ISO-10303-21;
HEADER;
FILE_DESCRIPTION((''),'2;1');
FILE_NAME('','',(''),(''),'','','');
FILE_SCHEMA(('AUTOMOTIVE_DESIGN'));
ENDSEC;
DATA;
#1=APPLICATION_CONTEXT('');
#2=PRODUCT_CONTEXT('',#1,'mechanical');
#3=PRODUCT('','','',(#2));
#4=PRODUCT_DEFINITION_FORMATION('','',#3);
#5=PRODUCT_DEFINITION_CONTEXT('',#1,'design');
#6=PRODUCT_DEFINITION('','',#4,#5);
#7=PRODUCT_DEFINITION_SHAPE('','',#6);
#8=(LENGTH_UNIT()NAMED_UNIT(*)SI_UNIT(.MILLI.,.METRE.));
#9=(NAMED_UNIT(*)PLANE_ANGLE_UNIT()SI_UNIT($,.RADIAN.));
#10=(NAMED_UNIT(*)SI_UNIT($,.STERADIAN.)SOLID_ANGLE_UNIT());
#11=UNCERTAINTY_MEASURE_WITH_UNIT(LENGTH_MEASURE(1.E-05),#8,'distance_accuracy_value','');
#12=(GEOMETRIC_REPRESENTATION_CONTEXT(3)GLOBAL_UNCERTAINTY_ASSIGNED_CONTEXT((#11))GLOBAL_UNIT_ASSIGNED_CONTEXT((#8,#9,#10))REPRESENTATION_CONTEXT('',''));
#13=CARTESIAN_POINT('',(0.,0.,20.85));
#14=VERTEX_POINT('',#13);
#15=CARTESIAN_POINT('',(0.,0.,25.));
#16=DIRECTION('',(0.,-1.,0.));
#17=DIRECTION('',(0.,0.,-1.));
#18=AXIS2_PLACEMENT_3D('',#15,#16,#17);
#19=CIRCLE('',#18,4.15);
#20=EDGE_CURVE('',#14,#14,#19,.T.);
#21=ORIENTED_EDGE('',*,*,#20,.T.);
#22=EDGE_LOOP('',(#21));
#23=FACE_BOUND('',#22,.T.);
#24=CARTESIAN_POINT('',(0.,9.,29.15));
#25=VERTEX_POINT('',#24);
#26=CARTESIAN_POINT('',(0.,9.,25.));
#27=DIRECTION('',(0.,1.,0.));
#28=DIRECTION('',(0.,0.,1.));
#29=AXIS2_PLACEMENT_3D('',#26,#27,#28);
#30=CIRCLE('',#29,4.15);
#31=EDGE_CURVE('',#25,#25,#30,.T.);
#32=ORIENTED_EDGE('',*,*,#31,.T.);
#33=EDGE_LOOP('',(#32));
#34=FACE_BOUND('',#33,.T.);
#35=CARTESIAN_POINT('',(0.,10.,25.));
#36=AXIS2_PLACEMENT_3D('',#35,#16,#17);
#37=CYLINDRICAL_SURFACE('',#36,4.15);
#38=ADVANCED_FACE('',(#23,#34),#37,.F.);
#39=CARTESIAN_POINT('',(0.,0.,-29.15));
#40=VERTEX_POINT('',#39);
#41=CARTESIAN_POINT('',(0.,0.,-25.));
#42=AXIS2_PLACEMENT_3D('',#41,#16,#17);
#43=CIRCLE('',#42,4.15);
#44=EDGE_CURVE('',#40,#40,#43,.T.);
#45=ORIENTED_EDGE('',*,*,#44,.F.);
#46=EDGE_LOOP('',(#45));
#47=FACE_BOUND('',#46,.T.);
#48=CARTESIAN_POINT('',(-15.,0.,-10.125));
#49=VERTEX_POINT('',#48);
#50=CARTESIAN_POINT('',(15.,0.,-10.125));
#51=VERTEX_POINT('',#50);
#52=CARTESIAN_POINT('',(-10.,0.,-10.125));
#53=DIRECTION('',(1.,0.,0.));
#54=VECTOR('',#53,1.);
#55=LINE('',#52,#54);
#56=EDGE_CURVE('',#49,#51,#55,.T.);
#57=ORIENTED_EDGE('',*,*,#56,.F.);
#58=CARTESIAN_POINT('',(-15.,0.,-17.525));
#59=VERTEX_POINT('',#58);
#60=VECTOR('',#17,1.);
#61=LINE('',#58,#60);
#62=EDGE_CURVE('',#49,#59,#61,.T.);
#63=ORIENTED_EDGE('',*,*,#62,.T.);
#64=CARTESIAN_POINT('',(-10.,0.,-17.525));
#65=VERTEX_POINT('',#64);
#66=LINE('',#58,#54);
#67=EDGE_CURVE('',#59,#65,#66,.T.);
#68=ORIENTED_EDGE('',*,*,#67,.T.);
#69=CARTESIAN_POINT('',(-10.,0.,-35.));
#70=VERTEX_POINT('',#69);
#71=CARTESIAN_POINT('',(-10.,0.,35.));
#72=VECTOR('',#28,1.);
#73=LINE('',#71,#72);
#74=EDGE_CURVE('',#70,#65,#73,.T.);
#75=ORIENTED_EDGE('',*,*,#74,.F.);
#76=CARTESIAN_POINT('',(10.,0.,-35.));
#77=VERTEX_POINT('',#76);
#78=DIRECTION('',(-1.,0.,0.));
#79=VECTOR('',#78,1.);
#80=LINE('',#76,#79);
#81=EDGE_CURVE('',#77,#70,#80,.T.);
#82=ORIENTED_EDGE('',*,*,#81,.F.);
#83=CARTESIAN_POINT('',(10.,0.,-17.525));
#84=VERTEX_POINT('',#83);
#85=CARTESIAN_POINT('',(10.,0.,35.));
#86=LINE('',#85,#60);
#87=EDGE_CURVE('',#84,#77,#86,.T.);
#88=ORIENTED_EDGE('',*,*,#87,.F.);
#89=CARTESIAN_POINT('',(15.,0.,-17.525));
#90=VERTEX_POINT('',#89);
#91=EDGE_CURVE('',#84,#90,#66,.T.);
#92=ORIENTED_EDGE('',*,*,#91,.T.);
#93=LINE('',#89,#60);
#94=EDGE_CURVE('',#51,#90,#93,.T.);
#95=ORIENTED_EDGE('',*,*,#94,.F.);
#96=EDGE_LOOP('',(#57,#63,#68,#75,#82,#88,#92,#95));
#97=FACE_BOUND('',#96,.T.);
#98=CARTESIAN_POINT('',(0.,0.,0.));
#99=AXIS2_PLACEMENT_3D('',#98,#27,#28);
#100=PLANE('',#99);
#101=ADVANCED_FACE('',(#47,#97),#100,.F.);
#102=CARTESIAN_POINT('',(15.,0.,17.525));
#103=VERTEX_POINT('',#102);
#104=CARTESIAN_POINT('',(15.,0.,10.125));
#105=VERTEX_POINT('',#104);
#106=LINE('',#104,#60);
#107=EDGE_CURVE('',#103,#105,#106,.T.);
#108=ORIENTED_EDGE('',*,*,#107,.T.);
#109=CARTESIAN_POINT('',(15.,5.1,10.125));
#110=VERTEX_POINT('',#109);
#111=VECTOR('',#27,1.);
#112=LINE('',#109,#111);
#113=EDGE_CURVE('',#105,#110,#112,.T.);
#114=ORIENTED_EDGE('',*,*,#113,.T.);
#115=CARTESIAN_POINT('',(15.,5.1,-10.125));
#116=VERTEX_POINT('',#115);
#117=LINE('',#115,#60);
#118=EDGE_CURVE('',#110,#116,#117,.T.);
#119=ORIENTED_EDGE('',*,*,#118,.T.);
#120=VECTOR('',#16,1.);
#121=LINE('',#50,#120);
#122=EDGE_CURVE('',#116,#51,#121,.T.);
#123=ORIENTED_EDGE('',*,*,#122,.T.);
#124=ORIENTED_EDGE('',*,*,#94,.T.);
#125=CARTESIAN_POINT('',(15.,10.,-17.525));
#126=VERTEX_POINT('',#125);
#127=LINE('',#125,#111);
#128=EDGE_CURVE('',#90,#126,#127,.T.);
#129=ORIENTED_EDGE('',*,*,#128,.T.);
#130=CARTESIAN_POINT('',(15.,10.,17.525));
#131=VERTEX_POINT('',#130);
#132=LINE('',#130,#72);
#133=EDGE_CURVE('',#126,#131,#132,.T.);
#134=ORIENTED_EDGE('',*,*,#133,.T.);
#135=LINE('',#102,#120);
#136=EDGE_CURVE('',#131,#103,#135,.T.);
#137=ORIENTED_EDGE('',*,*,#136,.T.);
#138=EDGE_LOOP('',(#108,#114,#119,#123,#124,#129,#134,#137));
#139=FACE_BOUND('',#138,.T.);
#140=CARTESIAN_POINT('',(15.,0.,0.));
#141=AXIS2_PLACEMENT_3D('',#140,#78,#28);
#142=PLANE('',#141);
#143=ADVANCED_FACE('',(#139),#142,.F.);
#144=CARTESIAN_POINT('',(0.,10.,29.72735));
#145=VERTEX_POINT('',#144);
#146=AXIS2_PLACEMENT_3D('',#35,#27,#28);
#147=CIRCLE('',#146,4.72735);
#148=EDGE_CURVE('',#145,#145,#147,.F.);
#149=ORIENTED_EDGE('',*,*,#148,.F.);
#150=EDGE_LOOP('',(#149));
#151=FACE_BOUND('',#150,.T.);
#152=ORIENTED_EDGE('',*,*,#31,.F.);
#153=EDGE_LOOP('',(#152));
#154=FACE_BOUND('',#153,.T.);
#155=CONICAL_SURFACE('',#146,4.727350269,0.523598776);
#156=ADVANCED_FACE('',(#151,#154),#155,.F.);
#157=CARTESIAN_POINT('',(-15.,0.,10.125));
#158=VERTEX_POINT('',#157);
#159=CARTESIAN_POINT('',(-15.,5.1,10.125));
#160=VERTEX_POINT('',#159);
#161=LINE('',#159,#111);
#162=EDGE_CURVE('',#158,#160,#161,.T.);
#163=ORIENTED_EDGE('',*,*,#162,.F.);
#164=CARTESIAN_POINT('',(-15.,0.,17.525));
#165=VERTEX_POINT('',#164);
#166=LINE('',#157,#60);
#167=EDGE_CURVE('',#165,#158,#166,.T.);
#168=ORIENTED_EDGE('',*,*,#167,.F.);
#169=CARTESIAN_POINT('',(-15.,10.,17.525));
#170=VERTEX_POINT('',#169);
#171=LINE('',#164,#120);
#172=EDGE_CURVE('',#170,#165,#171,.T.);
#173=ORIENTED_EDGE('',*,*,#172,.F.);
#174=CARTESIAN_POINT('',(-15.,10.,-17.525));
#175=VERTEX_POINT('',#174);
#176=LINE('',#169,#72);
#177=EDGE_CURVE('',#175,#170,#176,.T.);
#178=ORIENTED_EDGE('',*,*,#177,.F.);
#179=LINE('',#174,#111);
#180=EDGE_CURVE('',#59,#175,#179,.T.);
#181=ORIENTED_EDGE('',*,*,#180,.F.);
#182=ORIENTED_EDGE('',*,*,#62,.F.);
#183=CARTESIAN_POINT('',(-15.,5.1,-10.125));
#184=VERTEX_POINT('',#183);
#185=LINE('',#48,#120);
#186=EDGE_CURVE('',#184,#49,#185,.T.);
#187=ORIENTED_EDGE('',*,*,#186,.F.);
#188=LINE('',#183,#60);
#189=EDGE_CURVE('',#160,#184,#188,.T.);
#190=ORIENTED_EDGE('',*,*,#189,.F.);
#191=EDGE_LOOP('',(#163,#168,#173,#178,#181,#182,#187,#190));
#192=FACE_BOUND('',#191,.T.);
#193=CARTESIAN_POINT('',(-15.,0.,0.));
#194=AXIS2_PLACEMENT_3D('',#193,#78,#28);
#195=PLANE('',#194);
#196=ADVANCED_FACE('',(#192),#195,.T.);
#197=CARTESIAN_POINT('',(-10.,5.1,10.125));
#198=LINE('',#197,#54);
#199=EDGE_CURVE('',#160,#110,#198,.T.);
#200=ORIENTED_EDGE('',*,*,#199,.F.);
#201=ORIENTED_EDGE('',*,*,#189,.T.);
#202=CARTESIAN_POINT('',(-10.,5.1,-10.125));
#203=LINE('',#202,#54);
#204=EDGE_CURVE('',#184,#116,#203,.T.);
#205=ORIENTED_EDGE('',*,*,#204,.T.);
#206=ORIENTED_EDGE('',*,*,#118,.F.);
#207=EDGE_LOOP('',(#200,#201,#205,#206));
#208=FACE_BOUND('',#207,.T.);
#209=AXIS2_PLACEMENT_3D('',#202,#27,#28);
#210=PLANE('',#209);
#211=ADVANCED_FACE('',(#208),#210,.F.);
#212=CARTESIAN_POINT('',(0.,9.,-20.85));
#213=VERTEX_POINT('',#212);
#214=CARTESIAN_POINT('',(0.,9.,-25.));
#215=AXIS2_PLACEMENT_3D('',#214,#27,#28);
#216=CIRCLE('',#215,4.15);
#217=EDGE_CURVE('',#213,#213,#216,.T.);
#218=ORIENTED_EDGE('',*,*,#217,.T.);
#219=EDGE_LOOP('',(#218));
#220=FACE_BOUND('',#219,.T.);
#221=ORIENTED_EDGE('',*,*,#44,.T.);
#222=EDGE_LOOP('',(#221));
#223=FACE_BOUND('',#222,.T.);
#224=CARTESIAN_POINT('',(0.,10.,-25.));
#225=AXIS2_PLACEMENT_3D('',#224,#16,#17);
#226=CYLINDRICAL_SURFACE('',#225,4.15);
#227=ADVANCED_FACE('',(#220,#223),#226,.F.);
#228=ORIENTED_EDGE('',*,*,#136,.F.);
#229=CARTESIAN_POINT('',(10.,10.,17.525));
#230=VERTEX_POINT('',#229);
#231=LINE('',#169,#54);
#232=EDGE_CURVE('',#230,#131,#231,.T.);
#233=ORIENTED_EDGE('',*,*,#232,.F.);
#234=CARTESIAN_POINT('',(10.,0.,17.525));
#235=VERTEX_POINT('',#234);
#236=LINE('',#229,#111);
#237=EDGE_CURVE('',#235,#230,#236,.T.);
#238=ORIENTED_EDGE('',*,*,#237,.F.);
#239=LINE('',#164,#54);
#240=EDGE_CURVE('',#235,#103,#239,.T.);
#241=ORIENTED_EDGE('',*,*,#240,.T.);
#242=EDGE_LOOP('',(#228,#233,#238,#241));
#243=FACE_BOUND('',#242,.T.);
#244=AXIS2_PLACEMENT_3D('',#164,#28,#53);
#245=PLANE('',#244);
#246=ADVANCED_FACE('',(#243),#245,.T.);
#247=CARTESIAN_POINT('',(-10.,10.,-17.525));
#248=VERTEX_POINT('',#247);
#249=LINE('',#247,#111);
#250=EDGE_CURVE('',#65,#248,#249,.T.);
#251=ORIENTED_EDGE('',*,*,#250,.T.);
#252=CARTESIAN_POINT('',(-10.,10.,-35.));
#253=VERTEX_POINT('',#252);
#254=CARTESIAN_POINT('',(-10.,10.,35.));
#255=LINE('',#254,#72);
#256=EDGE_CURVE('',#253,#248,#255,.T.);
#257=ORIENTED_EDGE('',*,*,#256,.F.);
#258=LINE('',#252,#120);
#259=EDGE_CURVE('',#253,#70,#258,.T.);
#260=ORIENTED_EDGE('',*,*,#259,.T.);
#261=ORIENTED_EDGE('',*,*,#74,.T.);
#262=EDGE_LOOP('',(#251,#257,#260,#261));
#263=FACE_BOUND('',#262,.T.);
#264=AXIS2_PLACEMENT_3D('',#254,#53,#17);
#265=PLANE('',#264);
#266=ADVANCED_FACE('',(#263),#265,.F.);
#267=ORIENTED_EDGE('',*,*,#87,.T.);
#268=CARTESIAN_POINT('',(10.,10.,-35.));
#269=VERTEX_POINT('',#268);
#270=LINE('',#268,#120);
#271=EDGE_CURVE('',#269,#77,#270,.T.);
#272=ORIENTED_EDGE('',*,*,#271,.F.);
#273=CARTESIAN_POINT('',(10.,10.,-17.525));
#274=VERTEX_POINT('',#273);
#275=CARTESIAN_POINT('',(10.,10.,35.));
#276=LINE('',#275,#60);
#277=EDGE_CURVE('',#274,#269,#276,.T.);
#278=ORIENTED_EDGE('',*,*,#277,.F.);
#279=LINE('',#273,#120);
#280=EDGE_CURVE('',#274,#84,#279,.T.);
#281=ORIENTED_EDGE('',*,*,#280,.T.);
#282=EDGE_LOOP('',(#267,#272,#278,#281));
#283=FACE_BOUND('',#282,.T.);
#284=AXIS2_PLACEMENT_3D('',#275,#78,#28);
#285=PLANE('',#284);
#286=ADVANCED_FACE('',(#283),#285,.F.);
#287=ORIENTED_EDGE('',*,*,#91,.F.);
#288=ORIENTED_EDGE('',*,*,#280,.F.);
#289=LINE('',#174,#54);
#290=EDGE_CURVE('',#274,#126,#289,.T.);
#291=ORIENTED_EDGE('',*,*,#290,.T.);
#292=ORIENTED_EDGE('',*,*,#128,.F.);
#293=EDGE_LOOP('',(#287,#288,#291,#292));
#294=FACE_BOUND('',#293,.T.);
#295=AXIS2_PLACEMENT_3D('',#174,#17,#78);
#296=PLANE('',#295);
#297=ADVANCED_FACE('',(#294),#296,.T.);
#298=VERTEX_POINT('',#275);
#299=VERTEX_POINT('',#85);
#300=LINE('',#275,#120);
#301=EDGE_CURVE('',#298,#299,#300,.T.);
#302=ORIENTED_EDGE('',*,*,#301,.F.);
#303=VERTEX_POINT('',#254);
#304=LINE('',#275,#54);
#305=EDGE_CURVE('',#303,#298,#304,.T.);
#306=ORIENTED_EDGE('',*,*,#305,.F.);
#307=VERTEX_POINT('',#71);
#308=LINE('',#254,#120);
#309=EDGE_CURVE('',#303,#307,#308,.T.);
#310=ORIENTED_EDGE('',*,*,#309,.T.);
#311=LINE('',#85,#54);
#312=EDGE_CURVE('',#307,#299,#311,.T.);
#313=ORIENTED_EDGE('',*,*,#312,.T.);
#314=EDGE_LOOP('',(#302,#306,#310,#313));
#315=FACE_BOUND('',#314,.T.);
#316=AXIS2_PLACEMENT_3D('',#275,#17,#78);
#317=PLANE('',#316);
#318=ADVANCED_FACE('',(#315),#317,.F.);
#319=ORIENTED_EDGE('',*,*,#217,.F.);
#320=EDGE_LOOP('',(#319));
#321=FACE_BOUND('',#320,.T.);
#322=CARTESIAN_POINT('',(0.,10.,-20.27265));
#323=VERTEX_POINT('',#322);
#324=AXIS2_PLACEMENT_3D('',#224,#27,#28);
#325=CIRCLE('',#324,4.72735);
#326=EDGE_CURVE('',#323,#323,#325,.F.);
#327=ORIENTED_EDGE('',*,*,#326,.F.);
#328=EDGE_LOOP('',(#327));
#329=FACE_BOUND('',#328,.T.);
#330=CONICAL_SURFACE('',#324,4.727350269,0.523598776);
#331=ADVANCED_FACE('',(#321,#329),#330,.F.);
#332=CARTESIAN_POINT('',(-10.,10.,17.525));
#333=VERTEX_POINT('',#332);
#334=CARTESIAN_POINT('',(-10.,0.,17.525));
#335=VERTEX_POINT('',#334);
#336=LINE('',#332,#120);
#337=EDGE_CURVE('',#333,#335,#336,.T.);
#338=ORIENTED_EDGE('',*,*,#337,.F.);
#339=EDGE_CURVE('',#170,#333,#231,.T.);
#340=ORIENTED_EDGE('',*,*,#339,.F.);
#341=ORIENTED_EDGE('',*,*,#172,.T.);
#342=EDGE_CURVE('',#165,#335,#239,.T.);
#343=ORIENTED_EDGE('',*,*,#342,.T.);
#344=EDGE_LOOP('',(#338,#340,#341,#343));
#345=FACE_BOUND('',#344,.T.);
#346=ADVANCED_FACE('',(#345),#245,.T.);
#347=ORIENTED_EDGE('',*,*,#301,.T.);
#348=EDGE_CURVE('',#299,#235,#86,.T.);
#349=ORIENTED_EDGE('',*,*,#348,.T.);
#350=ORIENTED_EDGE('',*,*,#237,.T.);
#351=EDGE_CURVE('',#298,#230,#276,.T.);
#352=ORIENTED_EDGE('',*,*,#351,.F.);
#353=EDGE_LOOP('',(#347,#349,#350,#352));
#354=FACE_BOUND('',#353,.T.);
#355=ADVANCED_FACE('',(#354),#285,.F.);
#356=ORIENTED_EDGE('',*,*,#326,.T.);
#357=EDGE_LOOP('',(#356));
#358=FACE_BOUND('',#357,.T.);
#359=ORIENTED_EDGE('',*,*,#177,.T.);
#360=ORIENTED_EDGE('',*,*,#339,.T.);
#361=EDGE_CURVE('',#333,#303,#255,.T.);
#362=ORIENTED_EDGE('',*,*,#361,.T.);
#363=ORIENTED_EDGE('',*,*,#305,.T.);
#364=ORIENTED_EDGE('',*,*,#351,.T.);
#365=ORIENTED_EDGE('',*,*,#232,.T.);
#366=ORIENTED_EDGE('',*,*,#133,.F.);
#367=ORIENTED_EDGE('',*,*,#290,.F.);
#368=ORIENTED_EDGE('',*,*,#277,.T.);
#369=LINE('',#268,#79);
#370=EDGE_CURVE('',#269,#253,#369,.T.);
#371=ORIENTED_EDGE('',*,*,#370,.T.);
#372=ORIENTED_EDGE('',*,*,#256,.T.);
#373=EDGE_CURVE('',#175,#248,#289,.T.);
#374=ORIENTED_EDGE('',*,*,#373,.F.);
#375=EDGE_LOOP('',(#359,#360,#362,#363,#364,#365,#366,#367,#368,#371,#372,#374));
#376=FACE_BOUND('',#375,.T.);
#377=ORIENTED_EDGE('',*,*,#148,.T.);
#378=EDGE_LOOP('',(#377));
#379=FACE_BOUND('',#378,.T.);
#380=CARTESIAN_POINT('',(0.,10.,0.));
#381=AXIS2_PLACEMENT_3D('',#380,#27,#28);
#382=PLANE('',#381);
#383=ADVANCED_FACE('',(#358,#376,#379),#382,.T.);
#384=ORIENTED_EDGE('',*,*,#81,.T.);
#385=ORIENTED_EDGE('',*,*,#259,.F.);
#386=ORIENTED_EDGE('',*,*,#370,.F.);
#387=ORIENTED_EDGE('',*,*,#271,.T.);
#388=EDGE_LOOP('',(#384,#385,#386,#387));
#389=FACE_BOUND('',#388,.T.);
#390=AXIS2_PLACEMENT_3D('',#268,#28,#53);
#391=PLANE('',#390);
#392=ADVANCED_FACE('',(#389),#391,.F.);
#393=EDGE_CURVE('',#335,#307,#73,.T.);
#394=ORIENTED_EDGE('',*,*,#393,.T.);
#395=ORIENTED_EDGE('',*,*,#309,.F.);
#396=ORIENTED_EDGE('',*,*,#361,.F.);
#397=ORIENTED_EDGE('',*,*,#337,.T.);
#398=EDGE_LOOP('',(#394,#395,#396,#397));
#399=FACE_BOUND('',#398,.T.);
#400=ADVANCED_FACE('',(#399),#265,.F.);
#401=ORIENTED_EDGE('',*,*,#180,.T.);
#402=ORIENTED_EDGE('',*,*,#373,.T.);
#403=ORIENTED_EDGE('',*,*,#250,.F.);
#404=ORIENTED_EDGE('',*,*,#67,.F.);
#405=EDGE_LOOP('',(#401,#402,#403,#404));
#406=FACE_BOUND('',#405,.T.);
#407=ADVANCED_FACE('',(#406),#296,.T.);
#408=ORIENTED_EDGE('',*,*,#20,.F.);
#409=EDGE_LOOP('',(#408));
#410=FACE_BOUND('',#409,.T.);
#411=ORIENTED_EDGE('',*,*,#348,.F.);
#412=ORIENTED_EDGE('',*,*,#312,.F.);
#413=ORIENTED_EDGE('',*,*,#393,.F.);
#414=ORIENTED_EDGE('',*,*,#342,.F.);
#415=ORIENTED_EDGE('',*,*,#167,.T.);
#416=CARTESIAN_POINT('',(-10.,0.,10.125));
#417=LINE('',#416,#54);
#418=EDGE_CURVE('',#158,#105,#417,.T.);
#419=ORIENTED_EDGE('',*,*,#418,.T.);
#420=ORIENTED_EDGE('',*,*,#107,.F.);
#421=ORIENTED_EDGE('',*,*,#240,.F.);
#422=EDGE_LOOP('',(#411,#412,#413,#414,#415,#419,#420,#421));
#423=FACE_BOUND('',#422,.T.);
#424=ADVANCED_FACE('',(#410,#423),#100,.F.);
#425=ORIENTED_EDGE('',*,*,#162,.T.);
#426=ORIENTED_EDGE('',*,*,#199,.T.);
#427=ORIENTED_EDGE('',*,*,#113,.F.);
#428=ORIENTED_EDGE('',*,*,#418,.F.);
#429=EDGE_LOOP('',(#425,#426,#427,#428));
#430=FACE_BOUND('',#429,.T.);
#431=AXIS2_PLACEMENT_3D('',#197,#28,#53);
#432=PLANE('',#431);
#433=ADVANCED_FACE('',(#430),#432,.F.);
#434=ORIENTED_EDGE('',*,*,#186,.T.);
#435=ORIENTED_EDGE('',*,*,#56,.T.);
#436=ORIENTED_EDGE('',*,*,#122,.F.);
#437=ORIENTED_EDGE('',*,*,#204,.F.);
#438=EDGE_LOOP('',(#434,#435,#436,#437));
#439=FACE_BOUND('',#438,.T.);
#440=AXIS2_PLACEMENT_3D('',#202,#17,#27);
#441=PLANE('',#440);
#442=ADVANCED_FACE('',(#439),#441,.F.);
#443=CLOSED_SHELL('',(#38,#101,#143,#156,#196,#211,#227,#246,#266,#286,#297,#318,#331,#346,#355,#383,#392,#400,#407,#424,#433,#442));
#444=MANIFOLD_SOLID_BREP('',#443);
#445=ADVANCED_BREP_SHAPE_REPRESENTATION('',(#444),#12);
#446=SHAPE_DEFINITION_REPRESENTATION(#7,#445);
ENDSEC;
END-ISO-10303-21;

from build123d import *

# Parameters (mm, degrees)
SKETCH1_W                = 20
SKETCH1_H                = 70
BOSS_EXTRUDE1_DEPTH      = 10
SKETCH2_W                = 20.25
SKETCH2_H                = 5.1
CUT_EXTRUDE1_DEPTH       = 1
CUT_EXTRUDE1_DEPTH_BACK  = 21
SKETCH3_R                = 4.15
CUT_EXTRUDE2_DEPTH       = 11
BOSS_EXTRUDE2_DEPTH      = 5
BOSS_EXTRUDE2_DEPTH_BACK = 25
CHAMFER1_SIZE            = 1
CHAMFER1_SIZE2           = 0.577350269
CHAMFER1_PART_2_SIZE     = 1
CHAMFER1_PART_2_SIZE2    = 0.577350269


with BuildPart() as part:
    # Sketch1 → Boss-Extrude1 (new body)
    with BuildSketch(Plane(origin=(0, 0, 0), x_dir=(1, 0, 0), z_dir=(0, 1, 0))):
        Rectangle(SKETCH1_W, SKETCH1_H)
    extrude(amount=BOSS_EXTRUDE1_DEPTH)

    # Sketch2 → Cut-Extrude1 (cut, two sides)
    with BuildSketch(Plane(origin=(10, 0, 0), x_dir=(0, 0, -1), z_dir=(1, 0, 0))) as cut_extrude1_sk:
        with Locations((0, 2.55)):
            Rectangle(SKETCH2_W, SKETCH2_H)
    extrude(amount=CUT_EXTRUDE1_DEPTH, mode=Mode.SUBTRACT)
    extrude(cut_extrude1_sk.sketch, amount=-CUT_EXTRUDE1_DEPTH_BACK, mode=Mode.SUBTRACT)

    # Sketch3 → Cut-Extrude2 (cut, through all)
    with BuildSketch(Plane.XZ):
        with Locations((0, 25)):
            Circle(SKETCH3_R)
        with Locations((0, -25)):
            Circle(SKETCH3_R)
    extrude(amount=-CUT_EXTRUDE2_DEPTH, mode=Mode.SUBTRACT)

    # Sketch4 → Boss-Extrude2 (add, two sides)
    with BuildSketch(Plane(origin=(10, 0, 0), x_dir=(0, 0, -1), z_dir=(1, 0, 0))) as boss_extrude2_sk:
        Polygon((-10.125, 0), (-17.525, 0), (-17.525, 10), (17.525, 10), (17.525, 0), (10.125, 0), (10.125, 5.1), (-10.125, 5.1), align=None)
    extrude(amount=BOSS_EXTRUDE2_DEPTH)
    extrude(boss_extrude2_sk.sketch, amount=-BOSS_EXTRUDE2_DEPTH_BACK)

    # Chamfer1
    chamfer1_edges = [part.edges().sort_by_distance(p)[0] for p in [
        (-4.15, 10, 25),
    ]]
    chamfer1_side = [part.faces().sort_by_distance(p)[0] for p in [
        (-4.15, 5, 25),
    ]]
    chamfer(chamfer1_edges, length=CHAMFER1_SIZE, length2=CHAMFER1_SIZE2, reference=chamfer1_side[0])

    # Chamfer1 part 2
    chamfer1_part_2_edges = [part.edges().sort_by_distance(p)[0] for p in [
        (-4.15, 10, -25),
    ]]
    chamfer1_part_2_side = [part.faces().sort_by_distance(p)[0] for p in [
        (-4.15, 5, -25),
    ]]
    chamfer(chamfer1_part_2_edges, length=CHAMFER1_PART_2_SIZE, length2=CHAMFER1_PART_2_SIZE2, reference=chamfer1_part_2_side[0])


solid = part.part
